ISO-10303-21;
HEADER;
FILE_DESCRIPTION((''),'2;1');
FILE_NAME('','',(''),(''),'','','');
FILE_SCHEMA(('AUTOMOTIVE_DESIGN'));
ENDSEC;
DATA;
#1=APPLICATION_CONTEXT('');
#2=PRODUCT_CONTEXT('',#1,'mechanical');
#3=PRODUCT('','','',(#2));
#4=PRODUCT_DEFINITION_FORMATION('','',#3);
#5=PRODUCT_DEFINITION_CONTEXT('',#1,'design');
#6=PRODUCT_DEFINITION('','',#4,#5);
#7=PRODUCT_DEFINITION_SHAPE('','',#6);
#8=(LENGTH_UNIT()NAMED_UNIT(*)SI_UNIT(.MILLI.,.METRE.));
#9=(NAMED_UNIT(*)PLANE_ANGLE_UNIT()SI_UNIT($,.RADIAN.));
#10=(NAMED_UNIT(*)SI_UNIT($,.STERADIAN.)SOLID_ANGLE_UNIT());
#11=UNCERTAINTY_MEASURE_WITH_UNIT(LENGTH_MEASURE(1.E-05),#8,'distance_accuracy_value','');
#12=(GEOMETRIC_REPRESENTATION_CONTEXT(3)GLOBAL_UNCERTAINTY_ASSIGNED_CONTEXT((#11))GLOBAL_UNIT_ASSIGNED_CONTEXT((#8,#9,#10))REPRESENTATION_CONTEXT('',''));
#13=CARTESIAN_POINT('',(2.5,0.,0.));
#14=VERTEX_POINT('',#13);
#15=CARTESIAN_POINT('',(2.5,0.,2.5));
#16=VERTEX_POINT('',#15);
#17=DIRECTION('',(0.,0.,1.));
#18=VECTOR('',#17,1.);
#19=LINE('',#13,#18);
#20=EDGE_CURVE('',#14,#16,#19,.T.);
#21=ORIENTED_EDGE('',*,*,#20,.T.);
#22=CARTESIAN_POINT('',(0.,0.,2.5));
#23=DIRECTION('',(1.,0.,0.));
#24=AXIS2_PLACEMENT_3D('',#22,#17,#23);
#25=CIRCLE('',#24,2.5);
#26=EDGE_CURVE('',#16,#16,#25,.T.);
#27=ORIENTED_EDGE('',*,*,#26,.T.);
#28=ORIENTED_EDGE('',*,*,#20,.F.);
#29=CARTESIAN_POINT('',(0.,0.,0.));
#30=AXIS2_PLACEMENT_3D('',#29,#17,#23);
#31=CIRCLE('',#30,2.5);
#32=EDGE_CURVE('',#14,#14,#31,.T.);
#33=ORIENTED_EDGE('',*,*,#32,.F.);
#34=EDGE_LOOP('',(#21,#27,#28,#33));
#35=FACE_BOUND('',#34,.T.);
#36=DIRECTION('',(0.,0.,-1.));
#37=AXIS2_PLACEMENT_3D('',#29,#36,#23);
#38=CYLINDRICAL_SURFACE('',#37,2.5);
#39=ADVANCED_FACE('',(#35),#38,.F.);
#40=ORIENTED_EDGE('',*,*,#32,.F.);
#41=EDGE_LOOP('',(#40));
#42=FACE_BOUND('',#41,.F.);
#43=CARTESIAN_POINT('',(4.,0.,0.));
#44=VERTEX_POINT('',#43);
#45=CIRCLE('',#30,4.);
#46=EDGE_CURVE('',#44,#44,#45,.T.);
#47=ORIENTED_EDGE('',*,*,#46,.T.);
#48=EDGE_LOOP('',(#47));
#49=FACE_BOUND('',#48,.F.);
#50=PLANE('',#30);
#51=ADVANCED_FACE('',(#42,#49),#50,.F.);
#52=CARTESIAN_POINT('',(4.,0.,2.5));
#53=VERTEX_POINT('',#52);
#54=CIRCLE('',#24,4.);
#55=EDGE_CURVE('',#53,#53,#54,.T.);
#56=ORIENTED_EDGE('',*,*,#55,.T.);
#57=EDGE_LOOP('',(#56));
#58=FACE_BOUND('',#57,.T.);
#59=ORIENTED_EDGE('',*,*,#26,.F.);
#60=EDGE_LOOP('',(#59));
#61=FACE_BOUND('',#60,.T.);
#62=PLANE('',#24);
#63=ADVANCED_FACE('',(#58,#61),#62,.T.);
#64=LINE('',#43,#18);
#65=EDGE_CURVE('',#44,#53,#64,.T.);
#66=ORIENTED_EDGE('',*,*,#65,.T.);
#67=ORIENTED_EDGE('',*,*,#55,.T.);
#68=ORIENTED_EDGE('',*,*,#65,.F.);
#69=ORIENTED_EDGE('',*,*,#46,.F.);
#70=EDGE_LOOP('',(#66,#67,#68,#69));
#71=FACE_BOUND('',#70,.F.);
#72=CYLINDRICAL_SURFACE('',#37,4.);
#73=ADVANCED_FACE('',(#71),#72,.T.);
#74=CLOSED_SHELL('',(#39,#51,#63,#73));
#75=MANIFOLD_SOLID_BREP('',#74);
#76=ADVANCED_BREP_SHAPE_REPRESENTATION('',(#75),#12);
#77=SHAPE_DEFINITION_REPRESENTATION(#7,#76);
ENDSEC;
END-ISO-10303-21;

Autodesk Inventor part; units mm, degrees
ref_plane "YZ Plane" through (0, 0, 0) normal (1, 0, 0) x (0, 1, 0)
ref_plane "XZ Plane" through (0, 0, 0) normal (0, 1, 0) x (-1, 0, 0)
ref_plane "XY Plane" through (0, 0, 0) normal (0, 0, 1) x (1, 0, 0)
sketch "Sketch1" plane through (0, 0, 0) normal (0, 0, 1) x (1, 0, 0)
  circle A0 centre (0, 0) radius 4
  circle A1 centre (0, 0) radius 2.5
  dimension "d0" = 8
  dimension "d1" = 5
extrude "Extrusion1" add sketch "Sketch1" along normal blind 2.5
properties part number "bearing_8x5x2.5"
